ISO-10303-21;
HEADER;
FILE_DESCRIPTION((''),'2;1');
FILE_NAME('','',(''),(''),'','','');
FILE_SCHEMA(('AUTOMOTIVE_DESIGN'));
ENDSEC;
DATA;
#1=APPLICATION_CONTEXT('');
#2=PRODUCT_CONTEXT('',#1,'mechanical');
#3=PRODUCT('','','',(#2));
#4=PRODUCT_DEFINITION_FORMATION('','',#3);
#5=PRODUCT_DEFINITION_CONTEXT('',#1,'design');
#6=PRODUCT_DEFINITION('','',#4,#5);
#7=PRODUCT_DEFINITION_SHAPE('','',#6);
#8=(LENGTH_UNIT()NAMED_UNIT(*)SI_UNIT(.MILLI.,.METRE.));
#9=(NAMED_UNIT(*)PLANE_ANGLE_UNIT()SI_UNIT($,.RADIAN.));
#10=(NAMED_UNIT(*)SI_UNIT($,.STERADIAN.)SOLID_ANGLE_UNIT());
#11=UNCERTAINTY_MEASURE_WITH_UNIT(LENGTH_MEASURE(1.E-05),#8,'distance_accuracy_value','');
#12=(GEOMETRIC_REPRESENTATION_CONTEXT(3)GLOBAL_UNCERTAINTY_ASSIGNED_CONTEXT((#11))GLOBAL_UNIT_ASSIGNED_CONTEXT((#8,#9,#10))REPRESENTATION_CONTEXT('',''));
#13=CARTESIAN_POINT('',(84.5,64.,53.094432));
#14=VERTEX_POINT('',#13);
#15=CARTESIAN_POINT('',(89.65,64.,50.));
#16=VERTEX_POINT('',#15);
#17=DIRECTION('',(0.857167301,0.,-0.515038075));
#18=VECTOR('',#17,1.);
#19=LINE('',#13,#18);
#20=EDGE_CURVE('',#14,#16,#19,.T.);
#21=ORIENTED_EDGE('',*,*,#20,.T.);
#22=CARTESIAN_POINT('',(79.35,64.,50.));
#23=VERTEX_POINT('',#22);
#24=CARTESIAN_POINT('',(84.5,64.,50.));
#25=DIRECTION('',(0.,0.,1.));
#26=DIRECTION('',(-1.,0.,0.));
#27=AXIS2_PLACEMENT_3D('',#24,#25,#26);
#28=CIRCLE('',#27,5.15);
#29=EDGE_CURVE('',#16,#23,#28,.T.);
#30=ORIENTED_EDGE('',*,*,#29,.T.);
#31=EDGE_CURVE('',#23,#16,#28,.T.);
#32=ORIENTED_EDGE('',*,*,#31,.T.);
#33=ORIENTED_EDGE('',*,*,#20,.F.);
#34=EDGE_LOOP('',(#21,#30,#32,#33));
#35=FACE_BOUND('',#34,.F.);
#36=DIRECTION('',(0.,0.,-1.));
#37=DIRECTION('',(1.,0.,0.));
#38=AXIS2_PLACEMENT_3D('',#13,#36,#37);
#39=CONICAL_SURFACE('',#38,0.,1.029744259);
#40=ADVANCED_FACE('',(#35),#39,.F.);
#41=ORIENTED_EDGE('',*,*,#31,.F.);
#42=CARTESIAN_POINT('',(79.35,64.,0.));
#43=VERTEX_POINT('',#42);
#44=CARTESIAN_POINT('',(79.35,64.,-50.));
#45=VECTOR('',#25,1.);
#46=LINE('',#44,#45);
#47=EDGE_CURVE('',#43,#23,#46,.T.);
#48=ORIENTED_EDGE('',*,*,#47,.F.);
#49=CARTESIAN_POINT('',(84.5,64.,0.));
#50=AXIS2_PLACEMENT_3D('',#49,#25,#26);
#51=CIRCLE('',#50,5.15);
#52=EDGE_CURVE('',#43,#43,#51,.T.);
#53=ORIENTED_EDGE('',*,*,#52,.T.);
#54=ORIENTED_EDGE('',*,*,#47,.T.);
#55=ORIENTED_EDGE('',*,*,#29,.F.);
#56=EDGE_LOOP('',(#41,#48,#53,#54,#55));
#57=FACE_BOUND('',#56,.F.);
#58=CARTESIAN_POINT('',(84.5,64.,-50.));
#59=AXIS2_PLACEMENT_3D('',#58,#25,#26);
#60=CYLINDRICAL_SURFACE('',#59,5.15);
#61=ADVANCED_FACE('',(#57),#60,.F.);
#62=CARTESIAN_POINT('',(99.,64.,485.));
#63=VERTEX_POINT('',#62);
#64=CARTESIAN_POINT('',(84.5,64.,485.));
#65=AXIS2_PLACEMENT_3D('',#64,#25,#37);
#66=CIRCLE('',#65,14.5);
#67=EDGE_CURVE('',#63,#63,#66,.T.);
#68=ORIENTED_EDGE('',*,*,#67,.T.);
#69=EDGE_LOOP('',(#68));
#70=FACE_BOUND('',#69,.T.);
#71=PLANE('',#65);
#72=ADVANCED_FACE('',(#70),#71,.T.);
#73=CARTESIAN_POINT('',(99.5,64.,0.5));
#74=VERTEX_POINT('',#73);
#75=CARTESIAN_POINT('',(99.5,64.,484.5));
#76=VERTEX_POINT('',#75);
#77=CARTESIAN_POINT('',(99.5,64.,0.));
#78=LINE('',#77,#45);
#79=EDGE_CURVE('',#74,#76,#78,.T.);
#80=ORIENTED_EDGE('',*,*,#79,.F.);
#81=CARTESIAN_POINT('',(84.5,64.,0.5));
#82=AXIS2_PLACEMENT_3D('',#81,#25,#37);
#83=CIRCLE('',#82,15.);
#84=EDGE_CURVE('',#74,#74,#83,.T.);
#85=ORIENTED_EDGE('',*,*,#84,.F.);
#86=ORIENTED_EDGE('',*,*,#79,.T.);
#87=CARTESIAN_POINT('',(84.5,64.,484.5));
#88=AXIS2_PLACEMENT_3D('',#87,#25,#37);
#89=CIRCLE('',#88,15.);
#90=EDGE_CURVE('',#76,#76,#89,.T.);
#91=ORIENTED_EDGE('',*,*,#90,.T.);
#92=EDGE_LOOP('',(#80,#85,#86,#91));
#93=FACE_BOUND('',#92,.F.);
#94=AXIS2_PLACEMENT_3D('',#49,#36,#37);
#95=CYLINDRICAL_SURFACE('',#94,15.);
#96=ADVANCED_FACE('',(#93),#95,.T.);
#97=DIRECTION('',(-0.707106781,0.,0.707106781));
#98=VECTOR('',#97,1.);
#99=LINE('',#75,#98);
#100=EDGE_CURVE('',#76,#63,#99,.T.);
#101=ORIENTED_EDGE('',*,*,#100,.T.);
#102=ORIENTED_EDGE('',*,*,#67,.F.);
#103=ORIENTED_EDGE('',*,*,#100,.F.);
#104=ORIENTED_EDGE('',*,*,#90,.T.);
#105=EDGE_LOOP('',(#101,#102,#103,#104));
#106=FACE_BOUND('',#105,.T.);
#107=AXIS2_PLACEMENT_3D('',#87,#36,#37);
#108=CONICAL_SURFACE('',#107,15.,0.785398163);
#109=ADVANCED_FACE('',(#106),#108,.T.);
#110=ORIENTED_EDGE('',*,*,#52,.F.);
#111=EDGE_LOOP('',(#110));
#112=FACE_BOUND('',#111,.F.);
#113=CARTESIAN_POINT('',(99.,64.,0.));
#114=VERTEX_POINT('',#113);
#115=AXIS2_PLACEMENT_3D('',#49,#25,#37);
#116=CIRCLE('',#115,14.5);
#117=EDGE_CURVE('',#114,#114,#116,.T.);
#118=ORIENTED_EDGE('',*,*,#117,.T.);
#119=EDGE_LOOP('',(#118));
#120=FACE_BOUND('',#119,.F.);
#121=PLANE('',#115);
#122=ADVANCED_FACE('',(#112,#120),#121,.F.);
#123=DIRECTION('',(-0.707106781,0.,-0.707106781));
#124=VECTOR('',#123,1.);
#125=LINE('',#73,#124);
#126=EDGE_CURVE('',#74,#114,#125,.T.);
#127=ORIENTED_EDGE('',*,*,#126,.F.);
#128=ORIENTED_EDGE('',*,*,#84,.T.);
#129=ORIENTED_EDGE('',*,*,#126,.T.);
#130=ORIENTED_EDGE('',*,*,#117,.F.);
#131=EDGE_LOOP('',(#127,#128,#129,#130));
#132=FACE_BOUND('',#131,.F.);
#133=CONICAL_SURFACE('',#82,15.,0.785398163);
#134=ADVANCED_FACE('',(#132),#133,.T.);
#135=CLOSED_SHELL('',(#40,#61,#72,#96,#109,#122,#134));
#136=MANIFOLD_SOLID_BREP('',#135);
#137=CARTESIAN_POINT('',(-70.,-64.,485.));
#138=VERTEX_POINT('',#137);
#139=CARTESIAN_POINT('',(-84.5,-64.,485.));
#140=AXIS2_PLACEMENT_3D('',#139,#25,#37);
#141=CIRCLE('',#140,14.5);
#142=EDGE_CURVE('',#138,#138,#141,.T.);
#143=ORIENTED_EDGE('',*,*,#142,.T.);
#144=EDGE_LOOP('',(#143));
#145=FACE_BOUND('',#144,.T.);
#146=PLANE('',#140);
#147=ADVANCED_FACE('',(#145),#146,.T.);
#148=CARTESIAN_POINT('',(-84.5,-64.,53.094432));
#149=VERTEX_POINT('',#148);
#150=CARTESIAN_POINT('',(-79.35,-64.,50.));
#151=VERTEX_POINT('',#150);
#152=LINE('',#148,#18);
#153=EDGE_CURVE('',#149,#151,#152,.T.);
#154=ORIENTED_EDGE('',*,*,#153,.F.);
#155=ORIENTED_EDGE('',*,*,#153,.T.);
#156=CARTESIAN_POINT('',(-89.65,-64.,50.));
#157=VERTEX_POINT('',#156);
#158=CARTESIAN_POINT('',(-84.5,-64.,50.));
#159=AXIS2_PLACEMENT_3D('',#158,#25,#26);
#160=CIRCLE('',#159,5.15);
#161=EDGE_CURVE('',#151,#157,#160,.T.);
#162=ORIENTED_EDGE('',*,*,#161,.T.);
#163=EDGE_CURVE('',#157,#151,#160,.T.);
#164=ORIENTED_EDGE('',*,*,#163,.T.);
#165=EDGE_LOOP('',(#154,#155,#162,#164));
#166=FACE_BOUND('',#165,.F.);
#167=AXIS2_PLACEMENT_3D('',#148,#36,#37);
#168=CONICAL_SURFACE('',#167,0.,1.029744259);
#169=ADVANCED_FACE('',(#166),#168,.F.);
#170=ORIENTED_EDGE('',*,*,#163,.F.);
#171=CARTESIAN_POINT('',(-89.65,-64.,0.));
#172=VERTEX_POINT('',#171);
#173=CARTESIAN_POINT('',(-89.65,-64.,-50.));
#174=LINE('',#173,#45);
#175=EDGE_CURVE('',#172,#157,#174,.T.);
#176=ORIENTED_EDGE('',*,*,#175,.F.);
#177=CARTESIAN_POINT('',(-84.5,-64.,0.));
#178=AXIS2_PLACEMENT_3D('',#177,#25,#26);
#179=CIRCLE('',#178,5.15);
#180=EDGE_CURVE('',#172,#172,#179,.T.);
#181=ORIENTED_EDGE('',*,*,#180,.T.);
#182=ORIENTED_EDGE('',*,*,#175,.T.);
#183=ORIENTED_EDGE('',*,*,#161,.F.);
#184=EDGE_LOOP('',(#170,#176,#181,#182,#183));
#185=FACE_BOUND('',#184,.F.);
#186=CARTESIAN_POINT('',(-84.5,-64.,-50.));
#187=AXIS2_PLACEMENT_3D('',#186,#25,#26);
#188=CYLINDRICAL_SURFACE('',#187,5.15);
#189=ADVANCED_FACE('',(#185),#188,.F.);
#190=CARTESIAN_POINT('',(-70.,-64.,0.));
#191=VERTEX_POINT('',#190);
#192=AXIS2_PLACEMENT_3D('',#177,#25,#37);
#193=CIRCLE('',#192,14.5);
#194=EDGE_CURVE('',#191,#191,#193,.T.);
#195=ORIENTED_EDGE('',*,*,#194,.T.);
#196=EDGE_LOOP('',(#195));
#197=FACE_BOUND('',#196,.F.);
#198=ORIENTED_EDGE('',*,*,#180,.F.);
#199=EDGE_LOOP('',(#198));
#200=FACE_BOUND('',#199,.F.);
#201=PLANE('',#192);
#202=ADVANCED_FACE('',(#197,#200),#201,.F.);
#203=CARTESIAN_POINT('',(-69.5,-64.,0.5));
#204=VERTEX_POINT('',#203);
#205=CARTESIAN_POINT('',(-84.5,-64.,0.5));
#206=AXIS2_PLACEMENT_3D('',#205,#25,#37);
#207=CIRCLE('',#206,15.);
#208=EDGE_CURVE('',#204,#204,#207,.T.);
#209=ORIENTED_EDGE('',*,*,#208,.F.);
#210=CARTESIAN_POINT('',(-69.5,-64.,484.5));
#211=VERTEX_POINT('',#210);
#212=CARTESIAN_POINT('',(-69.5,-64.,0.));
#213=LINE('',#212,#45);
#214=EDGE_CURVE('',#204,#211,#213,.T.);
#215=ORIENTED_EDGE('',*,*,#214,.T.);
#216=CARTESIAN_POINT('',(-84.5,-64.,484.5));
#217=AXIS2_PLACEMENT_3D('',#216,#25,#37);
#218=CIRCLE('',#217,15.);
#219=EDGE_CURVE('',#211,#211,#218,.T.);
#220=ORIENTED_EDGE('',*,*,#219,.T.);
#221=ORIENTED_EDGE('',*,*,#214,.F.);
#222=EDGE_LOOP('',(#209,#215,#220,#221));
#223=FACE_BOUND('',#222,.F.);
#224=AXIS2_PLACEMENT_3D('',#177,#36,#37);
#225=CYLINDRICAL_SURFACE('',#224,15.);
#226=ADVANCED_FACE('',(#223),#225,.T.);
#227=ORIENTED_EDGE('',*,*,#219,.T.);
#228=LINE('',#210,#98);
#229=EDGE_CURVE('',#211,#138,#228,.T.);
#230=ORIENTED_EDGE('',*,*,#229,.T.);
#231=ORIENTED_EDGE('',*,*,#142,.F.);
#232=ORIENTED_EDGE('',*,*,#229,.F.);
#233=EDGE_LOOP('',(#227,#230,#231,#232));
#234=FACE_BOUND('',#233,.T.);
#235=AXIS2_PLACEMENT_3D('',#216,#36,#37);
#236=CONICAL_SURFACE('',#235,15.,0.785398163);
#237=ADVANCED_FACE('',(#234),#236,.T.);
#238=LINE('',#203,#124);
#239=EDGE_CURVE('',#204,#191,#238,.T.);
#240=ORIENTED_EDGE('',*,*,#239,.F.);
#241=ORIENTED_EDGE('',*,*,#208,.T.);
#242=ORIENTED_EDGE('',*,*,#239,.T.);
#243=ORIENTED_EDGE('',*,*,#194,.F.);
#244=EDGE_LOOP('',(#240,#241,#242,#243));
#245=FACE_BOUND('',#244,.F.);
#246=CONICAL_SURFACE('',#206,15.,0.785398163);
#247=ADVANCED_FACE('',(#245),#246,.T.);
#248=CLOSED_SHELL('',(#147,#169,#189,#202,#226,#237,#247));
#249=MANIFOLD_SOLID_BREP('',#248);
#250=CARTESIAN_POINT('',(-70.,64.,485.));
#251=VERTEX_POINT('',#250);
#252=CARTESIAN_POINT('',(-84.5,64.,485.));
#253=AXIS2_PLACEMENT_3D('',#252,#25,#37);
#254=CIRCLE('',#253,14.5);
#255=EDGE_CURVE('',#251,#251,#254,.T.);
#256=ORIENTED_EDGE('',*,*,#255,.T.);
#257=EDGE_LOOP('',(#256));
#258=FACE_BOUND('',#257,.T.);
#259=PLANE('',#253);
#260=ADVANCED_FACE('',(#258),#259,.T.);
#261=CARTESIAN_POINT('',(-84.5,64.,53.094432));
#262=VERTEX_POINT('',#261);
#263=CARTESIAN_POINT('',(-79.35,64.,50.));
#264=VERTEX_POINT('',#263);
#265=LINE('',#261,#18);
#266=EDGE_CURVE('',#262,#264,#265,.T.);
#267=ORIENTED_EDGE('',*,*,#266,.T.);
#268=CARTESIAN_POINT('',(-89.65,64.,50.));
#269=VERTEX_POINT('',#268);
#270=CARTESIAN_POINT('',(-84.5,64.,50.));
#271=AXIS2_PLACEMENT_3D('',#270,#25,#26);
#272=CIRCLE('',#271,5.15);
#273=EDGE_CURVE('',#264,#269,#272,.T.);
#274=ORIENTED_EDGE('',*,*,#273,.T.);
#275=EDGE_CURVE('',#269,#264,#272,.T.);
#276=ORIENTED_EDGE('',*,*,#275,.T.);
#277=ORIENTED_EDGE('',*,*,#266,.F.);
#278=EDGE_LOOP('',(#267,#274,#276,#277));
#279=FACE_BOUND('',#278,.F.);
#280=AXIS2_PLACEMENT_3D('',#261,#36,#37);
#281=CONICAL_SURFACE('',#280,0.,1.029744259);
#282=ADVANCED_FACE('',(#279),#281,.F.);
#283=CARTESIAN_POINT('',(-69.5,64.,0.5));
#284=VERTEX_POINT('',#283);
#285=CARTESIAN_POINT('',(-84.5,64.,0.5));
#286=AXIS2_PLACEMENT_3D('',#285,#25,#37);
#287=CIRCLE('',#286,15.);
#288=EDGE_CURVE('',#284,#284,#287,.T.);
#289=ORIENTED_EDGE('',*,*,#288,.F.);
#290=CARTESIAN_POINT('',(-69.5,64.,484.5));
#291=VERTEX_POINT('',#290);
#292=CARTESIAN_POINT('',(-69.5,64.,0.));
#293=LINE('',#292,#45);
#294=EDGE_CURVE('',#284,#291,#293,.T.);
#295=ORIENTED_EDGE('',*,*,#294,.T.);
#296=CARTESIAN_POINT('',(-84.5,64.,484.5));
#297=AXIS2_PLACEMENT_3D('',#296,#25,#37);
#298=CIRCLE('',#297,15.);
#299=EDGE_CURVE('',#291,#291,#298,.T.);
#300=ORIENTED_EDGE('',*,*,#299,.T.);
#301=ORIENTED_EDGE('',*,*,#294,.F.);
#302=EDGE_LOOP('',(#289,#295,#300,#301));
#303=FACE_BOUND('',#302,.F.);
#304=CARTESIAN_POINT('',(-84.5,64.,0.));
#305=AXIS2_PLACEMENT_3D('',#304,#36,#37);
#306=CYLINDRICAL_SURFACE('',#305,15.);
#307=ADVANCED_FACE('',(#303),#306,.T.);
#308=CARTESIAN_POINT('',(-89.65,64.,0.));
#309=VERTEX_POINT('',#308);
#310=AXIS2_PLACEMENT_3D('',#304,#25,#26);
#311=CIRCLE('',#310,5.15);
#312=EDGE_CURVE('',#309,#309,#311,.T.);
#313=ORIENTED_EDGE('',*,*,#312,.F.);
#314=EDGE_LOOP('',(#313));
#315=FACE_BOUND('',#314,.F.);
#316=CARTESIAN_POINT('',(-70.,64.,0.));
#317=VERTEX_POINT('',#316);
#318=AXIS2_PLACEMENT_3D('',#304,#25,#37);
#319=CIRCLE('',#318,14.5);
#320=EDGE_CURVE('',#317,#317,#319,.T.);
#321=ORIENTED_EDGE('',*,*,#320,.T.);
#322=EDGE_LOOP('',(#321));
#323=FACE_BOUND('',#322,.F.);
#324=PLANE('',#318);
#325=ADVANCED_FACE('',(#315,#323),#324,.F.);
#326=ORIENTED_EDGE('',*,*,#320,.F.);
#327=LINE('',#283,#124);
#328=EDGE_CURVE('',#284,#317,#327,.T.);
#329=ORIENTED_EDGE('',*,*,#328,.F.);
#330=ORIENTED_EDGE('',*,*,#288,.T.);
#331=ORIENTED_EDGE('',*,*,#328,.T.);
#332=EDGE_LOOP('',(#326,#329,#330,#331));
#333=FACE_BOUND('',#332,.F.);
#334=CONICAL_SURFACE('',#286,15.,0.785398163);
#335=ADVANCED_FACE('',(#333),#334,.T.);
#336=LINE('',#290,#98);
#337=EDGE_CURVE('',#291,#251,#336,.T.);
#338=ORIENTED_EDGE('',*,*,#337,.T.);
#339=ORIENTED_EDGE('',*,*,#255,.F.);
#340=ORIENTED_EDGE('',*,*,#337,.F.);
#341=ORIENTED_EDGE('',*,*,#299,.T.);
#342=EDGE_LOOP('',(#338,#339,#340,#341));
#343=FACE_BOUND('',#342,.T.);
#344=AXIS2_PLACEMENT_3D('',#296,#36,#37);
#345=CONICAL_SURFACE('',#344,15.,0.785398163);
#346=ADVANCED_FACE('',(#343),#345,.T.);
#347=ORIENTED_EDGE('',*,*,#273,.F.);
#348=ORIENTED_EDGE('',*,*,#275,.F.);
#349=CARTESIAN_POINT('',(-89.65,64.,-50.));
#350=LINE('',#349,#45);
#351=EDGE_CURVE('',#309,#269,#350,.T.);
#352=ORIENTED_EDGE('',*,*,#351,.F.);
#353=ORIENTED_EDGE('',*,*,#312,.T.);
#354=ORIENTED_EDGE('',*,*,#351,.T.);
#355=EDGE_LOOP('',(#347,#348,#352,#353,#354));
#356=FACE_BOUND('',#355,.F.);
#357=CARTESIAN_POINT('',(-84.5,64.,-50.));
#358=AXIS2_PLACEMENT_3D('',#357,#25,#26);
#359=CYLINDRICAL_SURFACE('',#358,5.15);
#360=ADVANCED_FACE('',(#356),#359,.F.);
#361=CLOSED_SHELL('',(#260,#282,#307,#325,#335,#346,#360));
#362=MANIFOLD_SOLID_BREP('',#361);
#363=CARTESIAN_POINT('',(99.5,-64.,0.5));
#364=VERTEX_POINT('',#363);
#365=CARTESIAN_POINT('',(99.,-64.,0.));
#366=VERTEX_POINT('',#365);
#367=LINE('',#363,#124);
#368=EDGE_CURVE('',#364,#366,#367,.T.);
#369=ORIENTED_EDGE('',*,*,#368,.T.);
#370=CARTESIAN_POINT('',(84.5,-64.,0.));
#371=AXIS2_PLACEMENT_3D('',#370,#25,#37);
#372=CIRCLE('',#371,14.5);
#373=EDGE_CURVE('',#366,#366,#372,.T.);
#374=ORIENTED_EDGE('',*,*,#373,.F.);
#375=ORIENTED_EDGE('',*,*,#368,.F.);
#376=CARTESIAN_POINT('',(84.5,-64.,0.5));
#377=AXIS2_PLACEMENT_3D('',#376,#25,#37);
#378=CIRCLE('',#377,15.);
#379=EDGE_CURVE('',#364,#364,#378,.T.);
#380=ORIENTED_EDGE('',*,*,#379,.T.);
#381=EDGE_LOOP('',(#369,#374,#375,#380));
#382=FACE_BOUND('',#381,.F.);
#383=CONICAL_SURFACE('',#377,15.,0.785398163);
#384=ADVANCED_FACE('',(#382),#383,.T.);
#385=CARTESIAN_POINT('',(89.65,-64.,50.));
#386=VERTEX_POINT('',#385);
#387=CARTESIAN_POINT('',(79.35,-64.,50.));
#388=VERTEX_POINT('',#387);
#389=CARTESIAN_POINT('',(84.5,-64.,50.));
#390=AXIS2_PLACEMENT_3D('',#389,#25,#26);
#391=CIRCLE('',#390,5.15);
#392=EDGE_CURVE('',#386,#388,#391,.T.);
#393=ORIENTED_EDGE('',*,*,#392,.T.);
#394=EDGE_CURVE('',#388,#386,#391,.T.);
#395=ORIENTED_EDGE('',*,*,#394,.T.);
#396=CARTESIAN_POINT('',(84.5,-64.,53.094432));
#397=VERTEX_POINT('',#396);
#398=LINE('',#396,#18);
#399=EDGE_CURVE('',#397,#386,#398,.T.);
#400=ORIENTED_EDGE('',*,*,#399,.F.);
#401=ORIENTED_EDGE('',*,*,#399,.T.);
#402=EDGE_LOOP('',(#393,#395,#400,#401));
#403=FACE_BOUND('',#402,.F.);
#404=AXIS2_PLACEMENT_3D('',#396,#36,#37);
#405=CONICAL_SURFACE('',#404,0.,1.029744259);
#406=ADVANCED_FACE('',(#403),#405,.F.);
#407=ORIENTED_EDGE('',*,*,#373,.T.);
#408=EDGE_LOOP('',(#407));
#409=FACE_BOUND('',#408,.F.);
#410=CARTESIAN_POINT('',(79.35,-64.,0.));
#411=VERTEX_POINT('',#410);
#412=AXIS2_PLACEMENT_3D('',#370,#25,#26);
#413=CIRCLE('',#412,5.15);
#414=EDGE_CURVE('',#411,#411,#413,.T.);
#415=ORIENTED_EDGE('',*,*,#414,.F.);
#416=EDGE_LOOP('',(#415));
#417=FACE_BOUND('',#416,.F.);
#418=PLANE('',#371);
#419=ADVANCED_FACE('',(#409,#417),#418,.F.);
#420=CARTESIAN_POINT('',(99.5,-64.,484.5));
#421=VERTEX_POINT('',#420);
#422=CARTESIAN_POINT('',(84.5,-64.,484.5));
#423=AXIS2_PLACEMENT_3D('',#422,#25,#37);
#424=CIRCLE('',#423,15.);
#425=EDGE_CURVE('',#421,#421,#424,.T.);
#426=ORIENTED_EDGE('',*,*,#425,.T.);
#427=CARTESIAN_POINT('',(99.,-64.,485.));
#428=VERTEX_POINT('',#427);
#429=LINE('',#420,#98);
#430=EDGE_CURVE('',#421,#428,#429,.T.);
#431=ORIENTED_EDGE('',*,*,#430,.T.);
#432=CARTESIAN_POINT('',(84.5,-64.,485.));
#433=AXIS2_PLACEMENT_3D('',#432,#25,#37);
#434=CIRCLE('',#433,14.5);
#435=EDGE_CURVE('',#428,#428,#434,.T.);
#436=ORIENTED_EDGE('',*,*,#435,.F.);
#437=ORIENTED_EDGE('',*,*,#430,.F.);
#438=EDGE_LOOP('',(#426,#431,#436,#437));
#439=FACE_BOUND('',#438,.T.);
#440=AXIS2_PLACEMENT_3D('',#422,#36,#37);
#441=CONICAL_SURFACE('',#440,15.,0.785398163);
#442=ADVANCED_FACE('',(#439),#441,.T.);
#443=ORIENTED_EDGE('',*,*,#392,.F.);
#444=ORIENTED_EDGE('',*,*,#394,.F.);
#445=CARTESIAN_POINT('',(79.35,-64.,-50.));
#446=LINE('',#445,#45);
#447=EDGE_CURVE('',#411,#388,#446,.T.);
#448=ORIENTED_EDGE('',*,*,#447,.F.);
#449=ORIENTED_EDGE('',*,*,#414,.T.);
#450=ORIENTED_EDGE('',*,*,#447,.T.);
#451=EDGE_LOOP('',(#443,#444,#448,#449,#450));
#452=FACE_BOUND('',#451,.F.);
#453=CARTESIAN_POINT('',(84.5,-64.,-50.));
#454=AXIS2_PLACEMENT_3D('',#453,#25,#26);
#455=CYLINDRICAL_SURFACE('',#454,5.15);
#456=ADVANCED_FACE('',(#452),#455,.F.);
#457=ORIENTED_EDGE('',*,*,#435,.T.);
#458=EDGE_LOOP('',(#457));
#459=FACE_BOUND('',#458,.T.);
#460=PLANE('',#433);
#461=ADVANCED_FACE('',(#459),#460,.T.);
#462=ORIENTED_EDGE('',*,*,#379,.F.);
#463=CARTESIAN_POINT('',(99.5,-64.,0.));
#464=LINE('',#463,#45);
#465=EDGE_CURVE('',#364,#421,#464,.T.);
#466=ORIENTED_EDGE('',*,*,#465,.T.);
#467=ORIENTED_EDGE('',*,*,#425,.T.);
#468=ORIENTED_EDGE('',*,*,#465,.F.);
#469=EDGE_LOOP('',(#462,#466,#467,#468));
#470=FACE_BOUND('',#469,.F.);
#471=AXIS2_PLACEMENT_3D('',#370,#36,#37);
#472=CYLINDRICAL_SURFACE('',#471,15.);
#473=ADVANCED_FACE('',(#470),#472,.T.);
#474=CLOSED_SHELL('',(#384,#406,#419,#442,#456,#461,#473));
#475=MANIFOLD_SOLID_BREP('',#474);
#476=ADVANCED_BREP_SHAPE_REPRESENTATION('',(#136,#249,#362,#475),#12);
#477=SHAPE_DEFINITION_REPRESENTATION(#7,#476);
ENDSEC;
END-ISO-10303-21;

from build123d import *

# Parameters (mm, degrees)
F0_R       = 15
F1_DEPTH   = 485
F2_D       = 10.3
F2_DEPTH   = 50
F2_TIP     = 3.094432188
F2_2_D     = 10.3
F2_2_DEPTH = 50
F2_2_TIP   = 3.094432188
F2_3_D     = 10.3
F2_3_DEPTH = 50
F2_3_TIP   = 3.094432188
F2_4_D     = 10.3
F2_4_DEPTH = 50
F2_4_TIP   = 3.094432188
F3_SIZE    = 0.5
F3_2_SIZE  = 0.5
F3_3_SIZE  = 0.5
F3_4_SIZE  = 0.5


with BuildPart() as f1:
    # F0 (on Top) → F1 (new body)
    with BuildSketch(Plane.XY):
        with Locations((84.5, -64)):
            Circle(F0_R)
    extrude(amount=F1_DEPTH)

    # F2
    with Locations(Plane(origin=(0, 0, 0), x_dir=(1, 0, 0), z_dir=(0, 0, -1))):
        with Locations((-84.5, -64), (-84.5, 64), (84.5, 64), (84.5, -64)):
            Hole(F2_D / 2, depth=F2_DEPTH)
            with Locations((0, 0, -(F2_DEPTH + F2_TIP / 2))):  # 118° drill point
                Cone(0, F2_D / 2, F2_TIP, mode=Mode.SUBTRACT)

    # F3
    f3_edges = [f1.edges().sort_by_distance(p)[0] for p in [
        (99.5, -64, 242.5),
        (69.5, -64, 0),
        (69.5, -64, 485),
    ]]
    chamfer(f3_edges, length=F3_SIZE)


with BuildPart() as f1b:
    # F0 (on Top) → F1, piece 2 (new body)
    with BuildSketch(Plane.XY):
        with Locations((-84.5, -64)):
            Circle(F0_R)
    extrude(amount=F1_DEPTH)

    # F2#2
    with Locations(Plane(origin=(0, 0, 0), x_dir=(1, 0, 0), z_dir=(0, 0, -1))):
        with Locations((-84.5, -64), (-84.5, 64), (84.5, 64), (84.5, -64)):
            Hole(F2_2_D / 2, depth=F2_2_DEPTH)
            with Locations((0, 0, -(F2_2_DEPTH + F2_2_TIP / 2))):  # 118° drill point
                Cone(0, F2_2_D / 2, F2_2_TIP, mode=Mode.SUBTRACT)

    # F3#2
    f3_2_edges = [f1b.edges().sort_by_distance(p)[0] for p in [
        (-69.5, -64, 242.5),
        (-99.5, -64, 0),
        (-99.5, -64, 485),
    ]]
    chamfer(f3_2_edges, length=F3_2_SIZE)


with BuildPart() as f1c:
    # F0 (on Top) → F1, piece 3 (new body)
    with BuildSketch(Plane.XY):
        with Locations((-84.5, 64)):
            Circle(F0_R)
    extrude(amount=F1_DEPTH)

    # F2#3
    with Locations(Plane(origin=(0, 0, 0), x_dir=(1, 0, 0), z_dir=(0, 0, -1))):
        with Locations((-84.5, -64), (-84.5, 64), (84.5, 64), (84.5, -64)):
            Hole(F2_3_D / 2, depth=F2_3_DEPTH)
            with Locations((0, 0, -(F2_3_DEPTH + F2_3_TIP / 2))):  # 118° drill point
                Cone(0, F2_3_D / 2, F2_3_TIP, mode=Mode.SUBTRACT)

    # F3#4
    f3_4_edges = [f1c.edges().sort_by_distance(p)[0] for p in [
        (-69.5, 64, 242.5),
        (-99.5, 64, 0),
        (-99.5, 64, 485),
    ]]
    chamfer(f3_4_edges, length=F3_4_SIZE)


with BuildPart() as f1d:
    # F0 (on Top) → F1, piece 4 (new body)
    with BuildSketch(Plane.XY):
        with Locations((84.5, 64)):
            Circle(F0_R)
    extrude(amount=F1_DEPTH)

    # F2#4
    with Locations(Plane(origin=(0, 0, 0), x_dir=(1, 0, 0), z_dir=(0, 0, -1))):
        with Locations((-84.5, -64), (-84.5, 64), (84.5, 64), (84.5, -64)):
            Hole(F2_4_D / 2, depth=F2_4_DEPTH)
            with Locations((0, 0, -(F2_4_DEPTH + F2_4_TIP / 2))):  # 118° drill point
                Cone(0, F2_4_D / 2, F2_4_TIP, mode=Mode.SUBTRACT)

    # F3#3
    f3_3_edges = [f1d.edges().sort_by_distance(p)[0] for p in [
        (99.5, 64, 242.5),
        (69.5, 64, 0),
        (69.5, 64, 485),
    ]]
    chamfer(f3_3_edges, length=F3_3_SIZE)


solid = Compound([f1.part, f1b.part, f1c.part, f1d.part])
